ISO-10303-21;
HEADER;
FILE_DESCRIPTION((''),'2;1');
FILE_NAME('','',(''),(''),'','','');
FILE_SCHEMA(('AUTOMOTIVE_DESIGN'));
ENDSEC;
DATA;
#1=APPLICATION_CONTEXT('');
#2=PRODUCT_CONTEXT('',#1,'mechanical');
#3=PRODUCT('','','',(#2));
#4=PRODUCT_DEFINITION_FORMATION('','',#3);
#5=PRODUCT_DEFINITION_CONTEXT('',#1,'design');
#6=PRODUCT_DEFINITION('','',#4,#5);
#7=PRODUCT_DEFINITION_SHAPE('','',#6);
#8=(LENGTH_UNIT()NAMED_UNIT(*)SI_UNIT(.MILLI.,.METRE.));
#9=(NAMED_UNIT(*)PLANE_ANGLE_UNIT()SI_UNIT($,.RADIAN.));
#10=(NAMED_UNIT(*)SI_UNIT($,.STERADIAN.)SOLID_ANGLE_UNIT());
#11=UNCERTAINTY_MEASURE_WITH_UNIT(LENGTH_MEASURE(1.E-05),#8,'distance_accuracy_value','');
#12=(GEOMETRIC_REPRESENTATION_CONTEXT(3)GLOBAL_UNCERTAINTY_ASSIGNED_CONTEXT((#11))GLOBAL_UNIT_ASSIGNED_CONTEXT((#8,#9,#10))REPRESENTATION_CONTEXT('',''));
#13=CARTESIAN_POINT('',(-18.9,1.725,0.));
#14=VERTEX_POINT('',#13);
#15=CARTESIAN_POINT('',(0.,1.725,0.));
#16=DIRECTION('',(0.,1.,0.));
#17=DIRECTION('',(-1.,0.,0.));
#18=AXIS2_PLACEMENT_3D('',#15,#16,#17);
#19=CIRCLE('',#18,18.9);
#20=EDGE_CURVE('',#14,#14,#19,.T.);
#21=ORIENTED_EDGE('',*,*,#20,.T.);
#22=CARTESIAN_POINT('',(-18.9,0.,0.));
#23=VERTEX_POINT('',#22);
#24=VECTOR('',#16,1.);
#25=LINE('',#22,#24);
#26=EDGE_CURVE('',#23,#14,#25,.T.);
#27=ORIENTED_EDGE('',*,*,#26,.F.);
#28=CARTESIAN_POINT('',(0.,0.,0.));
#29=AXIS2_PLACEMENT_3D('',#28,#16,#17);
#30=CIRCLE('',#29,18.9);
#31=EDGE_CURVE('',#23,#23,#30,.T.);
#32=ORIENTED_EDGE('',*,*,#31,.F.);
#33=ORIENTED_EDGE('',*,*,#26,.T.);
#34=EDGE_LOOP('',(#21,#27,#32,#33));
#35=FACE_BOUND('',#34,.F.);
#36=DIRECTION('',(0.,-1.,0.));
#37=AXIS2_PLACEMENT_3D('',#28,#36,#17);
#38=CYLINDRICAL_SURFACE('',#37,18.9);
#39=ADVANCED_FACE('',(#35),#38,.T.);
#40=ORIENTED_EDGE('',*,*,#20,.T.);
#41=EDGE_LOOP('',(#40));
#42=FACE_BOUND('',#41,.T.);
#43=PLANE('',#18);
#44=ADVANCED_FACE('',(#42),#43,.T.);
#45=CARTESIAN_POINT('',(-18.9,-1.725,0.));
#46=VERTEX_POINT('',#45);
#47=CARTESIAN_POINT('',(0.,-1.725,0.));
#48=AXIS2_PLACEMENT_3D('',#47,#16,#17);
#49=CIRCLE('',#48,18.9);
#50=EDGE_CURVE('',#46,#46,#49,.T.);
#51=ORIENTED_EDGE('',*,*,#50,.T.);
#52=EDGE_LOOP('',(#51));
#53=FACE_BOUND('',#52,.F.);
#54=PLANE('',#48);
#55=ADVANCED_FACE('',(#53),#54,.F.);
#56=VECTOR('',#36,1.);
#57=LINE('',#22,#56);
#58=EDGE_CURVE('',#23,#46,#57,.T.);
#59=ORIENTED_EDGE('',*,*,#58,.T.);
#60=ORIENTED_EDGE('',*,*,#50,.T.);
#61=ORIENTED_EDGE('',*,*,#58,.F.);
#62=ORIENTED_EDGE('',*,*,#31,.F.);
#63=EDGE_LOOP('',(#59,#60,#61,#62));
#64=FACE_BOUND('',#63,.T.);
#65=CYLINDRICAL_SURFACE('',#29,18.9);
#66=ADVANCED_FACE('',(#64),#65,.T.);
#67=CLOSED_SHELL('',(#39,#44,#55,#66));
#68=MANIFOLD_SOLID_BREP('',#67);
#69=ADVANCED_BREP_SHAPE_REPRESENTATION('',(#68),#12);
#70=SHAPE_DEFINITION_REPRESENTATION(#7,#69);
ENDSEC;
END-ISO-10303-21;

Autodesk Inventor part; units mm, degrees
ref_plane "YZ Plane" through (0, 0, 0) normal (1, 0, 0) x (0, 1, 0)
ref_plane "XZ Plane" through (0, 0, 0) normal (0, 1, 0) x (-1, 0, 0)
ref_plane "XY Plane" through (0, 0, 0) normal (0, 0, 1) x (1, 0, 0)
sketch "Sketch1" plane through (0, 0, 0) normal (0, 1, 0) x (-1, 0, 0)
  circle A0 centre (0, 0) radius 18.9
  dimension "d0" = 37.8
extrude "Extrusion1" add sketch "Sketch1" along normal mid plane 3.45
properties part number "Disk_Large_All" material "Paper"
